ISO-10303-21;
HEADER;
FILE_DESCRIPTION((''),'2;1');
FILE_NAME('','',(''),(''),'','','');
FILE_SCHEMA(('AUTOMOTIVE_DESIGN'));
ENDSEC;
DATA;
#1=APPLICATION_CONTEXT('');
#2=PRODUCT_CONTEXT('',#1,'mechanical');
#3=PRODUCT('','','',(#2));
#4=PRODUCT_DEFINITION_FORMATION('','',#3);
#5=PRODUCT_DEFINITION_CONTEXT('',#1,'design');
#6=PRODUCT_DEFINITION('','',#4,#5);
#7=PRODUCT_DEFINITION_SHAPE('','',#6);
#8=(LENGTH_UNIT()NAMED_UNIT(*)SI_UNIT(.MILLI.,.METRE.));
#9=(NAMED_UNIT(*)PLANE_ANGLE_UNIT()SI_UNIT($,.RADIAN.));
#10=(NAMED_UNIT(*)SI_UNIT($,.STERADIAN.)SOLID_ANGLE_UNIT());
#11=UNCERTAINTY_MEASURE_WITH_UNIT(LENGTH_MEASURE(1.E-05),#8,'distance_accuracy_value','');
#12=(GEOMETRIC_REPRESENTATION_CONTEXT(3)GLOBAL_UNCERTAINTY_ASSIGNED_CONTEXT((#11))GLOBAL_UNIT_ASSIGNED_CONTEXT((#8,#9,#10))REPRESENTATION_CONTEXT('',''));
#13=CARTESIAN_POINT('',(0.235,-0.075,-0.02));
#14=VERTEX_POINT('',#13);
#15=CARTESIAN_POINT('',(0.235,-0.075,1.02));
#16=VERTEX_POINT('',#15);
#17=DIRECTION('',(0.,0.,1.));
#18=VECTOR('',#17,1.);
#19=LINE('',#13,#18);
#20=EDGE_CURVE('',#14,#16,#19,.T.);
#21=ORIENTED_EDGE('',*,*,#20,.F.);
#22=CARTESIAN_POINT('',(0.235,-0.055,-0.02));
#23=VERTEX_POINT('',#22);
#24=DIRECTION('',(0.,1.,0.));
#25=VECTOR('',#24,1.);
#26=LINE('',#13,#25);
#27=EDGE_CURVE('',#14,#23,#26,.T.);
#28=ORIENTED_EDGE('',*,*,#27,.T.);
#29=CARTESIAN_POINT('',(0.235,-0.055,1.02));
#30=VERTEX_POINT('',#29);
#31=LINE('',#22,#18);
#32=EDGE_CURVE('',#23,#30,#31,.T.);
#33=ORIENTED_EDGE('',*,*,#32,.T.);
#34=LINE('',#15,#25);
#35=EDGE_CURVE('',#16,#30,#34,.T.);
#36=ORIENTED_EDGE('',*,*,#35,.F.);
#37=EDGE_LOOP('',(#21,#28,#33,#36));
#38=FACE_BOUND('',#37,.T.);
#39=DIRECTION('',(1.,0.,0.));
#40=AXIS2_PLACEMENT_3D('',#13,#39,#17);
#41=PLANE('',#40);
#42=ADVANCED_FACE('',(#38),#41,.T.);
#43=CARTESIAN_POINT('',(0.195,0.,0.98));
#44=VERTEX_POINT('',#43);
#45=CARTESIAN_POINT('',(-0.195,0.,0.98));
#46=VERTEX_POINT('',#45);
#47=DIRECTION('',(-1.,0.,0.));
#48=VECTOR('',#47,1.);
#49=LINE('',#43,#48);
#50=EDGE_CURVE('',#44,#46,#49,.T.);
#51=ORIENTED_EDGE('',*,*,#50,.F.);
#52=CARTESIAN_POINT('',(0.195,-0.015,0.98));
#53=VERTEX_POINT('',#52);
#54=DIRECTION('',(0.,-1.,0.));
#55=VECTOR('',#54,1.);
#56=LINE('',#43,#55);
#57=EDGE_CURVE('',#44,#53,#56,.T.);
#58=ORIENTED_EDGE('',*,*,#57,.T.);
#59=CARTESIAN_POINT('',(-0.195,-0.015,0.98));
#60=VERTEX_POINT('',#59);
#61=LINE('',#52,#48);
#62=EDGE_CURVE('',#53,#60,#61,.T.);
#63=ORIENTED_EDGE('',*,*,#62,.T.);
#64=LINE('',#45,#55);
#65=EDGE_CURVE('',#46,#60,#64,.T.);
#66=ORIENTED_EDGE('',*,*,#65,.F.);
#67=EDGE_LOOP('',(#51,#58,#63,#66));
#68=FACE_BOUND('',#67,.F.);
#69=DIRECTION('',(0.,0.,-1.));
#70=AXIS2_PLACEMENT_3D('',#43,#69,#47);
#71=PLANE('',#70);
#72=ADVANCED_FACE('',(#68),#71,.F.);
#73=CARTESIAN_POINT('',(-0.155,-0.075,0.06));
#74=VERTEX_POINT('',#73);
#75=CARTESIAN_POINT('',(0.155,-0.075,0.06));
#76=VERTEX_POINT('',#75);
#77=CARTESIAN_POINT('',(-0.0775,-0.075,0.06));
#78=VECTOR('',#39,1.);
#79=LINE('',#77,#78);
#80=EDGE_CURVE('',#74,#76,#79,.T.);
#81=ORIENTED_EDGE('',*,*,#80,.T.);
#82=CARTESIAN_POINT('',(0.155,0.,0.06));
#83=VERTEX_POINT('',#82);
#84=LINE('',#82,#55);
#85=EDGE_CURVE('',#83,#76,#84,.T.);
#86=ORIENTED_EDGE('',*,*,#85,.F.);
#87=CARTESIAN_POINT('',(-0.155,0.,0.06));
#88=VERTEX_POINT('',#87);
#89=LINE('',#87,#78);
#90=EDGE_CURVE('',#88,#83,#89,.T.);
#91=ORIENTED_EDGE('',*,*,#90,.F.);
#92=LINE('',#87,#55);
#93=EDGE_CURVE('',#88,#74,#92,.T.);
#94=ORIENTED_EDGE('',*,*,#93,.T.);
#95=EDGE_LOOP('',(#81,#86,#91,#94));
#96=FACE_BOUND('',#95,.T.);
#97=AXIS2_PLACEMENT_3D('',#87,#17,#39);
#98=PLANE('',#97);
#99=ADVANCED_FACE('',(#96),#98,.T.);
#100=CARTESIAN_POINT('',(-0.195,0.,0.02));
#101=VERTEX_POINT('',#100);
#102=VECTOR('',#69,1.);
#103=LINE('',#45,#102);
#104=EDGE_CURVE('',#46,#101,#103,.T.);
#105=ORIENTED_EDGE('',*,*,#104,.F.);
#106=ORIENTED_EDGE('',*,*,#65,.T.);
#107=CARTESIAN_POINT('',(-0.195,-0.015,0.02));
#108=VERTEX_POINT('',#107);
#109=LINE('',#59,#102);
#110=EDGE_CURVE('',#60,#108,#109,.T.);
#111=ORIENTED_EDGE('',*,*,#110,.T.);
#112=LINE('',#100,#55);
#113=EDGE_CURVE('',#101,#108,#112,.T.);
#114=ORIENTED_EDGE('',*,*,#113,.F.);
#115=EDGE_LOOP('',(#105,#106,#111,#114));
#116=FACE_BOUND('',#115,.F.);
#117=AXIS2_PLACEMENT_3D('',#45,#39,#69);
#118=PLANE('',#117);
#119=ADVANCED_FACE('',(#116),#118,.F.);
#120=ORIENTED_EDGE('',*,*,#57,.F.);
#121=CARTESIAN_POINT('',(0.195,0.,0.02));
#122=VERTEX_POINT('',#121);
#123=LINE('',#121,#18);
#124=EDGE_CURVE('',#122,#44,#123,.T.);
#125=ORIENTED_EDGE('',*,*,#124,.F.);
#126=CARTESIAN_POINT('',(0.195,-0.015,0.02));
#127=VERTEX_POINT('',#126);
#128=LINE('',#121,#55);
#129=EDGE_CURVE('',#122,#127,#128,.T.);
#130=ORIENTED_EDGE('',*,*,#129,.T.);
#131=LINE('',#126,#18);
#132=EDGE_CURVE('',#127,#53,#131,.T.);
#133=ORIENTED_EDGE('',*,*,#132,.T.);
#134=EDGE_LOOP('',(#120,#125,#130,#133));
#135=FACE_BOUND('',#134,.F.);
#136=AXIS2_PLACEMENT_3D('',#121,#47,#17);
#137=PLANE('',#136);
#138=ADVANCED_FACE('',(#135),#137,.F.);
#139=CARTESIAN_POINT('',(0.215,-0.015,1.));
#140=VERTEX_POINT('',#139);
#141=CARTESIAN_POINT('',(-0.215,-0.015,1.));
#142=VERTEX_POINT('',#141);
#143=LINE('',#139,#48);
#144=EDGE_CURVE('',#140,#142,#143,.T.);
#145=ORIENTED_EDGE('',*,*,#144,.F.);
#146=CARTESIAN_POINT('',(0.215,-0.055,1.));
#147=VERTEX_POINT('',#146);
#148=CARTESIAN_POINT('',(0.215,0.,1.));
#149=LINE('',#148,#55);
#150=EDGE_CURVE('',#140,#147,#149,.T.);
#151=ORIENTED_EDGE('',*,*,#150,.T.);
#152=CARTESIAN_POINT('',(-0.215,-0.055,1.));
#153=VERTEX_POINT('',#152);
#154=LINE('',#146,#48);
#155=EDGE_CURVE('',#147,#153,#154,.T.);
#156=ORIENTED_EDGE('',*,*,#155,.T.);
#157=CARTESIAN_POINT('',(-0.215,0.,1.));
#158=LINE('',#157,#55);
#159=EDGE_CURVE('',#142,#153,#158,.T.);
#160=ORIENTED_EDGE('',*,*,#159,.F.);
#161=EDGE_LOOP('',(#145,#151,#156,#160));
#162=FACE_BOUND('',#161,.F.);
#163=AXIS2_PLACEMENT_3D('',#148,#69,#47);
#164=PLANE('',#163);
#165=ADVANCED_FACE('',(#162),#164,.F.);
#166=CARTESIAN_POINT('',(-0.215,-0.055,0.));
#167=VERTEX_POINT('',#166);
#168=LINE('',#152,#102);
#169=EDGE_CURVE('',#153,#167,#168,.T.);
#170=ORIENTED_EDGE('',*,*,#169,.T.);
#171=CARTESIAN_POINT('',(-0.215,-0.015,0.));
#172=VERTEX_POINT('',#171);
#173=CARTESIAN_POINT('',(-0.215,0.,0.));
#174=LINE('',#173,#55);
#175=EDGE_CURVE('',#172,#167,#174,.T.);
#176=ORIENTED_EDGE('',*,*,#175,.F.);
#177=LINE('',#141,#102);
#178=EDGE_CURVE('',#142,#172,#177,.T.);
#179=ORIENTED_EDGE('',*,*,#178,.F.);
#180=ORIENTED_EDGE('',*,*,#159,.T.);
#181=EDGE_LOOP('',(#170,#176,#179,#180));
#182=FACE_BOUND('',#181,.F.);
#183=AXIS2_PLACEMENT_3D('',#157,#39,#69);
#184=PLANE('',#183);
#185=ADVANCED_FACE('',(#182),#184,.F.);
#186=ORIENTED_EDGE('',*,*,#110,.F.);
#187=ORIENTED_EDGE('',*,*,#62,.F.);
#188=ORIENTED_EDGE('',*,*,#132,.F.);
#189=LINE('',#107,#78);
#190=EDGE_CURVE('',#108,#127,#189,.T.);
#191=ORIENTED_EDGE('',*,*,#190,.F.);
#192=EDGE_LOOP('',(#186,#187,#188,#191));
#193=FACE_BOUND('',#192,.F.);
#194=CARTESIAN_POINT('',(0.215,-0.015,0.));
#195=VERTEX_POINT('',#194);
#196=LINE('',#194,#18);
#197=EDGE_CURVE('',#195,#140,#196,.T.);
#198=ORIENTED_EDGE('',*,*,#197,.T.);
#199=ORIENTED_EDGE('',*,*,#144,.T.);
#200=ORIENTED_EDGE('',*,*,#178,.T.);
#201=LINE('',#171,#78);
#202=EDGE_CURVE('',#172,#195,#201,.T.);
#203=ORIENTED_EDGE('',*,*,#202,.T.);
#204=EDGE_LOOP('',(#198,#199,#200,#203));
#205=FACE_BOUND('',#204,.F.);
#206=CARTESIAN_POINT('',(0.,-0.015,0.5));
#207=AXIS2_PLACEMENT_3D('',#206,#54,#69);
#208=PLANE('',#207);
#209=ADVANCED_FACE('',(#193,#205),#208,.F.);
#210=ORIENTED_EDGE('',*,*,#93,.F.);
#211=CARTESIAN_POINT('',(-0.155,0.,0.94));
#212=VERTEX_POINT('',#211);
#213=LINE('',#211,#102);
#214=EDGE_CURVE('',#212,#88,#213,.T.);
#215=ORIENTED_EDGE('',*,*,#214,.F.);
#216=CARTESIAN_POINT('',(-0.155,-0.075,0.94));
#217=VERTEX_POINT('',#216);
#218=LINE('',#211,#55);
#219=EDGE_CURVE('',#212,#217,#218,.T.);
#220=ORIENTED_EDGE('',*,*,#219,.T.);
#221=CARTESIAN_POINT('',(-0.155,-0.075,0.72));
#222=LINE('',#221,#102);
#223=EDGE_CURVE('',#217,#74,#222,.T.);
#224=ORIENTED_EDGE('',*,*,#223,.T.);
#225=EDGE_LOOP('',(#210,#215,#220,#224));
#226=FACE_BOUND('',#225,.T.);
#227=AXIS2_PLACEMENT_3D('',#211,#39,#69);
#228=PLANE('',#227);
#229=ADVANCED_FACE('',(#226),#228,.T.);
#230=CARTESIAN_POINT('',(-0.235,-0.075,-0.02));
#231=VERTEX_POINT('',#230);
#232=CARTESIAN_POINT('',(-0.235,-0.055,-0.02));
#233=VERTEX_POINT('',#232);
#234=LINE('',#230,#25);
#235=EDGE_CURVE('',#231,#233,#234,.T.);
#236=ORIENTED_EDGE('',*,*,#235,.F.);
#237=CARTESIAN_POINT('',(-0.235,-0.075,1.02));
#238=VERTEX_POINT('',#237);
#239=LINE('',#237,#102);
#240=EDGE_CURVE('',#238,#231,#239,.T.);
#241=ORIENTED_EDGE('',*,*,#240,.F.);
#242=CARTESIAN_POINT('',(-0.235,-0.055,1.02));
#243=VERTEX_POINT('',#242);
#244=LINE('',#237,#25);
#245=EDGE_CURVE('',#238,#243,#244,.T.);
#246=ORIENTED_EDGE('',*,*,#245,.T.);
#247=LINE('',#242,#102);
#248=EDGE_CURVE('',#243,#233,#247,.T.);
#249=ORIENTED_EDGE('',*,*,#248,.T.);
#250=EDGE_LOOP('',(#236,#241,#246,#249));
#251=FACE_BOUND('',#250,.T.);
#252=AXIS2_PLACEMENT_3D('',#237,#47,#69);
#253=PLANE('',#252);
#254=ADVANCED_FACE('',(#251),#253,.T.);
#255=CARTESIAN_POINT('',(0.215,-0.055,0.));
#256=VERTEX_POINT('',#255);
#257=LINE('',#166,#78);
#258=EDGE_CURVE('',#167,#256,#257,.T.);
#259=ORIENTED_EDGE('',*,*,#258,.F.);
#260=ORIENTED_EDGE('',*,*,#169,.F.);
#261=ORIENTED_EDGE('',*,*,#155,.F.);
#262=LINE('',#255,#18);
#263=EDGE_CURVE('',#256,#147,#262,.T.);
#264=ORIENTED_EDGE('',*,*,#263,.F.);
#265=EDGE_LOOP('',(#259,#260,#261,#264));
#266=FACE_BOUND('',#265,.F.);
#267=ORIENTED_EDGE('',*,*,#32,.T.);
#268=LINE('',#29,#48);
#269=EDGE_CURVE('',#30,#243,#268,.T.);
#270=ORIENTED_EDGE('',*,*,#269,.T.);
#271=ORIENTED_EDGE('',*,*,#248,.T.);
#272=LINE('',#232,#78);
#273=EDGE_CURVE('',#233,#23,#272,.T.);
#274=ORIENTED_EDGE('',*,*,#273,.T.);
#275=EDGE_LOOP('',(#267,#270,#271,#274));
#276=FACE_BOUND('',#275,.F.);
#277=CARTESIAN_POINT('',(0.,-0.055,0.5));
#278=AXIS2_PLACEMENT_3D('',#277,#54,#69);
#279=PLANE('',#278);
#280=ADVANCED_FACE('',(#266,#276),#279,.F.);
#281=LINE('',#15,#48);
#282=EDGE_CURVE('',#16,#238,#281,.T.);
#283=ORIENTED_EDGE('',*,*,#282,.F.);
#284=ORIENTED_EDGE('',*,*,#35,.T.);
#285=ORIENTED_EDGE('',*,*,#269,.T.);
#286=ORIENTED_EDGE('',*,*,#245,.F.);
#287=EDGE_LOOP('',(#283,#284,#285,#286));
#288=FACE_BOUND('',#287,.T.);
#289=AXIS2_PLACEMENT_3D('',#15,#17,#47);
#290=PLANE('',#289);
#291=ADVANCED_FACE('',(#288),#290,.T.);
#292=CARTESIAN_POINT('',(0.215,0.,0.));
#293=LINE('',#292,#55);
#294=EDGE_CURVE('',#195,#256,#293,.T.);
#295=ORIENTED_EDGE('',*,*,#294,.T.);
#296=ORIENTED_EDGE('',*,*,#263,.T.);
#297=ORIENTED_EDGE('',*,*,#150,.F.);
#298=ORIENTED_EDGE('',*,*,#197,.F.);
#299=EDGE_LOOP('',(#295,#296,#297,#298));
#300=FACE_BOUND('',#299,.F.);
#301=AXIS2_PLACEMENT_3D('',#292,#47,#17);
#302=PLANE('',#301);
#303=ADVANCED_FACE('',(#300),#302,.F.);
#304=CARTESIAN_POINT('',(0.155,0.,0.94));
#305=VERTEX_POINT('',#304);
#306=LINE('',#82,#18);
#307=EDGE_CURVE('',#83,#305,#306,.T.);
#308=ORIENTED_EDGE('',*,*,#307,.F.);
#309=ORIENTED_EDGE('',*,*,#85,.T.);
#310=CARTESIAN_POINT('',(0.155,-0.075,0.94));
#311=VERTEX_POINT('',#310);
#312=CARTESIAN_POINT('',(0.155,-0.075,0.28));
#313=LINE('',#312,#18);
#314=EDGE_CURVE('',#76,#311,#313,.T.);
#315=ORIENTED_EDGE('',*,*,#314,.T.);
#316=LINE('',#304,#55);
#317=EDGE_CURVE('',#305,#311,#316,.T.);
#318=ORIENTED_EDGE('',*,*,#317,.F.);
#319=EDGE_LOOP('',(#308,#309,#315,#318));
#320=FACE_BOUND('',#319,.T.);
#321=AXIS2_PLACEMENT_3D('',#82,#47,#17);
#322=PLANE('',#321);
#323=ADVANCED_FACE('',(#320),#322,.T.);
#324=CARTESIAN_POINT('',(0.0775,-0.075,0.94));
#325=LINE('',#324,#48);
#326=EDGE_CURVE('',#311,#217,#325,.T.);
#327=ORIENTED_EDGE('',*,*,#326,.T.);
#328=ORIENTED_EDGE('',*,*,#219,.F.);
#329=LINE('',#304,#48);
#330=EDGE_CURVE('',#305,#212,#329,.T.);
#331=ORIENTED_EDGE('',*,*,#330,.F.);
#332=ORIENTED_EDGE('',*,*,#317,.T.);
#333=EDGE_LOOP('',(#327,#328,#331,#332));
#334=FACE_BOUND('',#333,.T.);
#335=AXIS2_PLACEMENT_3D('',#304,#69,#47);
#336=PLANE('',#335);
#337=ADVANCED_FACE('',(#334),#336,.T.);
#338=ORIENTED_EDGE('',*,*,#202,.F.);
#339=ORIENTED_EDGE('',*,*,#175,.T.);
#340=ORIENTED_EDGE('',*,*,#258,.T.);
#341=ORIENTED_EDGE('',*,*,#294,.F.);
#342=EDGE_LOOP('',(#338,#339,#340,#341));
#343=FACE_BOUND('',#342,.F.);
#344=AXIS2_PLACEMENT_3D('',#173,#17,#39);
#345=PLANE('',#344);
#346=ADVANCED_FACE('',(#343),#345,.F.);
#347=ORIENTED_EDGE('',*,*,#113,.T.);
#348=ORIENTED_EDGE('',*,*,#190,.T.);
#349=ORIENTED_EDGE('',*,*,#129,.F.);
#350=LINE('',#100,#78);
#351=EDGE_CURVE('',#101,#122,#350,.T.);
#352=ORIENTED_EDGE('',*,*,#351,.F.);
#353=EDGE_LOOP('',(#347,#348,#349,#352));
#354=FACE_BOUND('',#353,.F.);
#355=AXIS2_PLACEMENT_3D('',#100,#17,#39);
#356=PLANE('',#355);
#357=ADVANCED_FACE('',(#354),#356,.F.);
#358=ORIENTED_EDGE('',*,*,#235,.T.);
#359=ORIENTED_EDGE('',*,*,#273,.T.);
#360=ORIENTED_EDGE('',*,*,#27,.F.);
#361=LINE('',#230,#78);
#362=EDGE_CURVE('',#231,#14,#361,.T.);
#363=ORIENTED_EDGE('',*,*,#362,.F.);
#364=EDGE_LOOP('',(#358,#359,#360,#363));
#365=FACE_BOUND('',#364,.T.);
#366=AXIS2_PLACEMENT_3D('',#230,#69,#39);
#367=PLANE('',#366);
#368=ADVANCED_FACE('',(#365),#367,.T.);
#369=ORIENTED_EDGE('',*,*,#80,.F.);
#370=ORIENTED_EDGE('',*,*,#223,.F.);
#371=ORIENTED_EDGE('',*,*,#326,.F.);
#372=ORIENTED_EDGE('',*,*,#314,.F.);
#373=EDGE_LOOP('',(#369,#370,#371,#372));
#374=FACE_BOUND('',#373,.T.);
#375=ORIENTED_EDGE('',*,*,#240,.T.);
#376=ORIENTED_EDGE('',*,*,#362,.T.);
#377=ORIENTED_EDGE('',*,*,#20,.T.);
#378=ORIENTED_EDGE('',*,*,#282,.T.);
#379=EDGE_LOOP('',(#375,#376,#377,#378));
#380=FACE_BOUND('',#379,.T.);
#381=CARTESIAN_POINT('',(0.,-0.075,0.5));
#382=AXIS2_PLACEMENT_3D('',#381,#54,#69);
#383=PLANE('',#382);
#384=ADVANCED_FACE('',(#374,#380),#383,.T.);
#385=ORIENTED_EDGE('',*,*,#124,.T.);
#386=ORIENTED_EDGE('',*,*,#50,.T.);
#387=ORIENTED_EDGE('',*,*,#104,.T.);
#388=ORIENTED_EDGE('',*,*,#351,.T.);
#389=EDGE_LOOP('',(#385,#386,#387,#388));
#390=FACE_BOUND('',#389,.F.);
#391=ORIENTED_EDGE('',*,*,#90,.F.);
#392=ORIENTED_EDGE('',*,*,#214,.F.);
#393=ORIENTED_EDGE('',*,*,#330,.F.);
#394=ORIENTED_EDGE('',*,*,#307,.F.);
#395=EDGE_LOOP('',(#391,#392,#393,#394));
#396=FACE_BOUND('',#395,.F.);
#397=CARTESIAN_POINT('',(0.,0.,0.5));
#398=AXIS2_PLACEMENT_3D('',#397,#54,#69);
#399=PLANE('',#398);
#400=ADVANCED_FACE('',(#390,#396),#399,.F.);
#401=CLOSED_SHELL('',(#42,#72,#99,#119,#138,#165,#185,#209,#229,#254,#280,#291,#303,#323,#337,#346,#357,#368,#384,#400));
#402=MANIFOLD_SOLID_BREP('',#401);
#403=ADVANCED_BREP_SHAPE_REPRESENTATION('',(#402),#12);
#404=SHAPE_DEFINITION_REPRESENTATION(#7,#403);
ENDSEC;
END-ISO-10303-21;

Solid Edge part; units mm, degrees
sketch "Sketch1" plane through (0, 0, 0) normal (0, -1, 0) x (1, 0, 0)
  line L0 (-0.215, 0) -> (0.215, 0)
  line L1 (0.215, 0) -> (0.215, 1)
  line L2 (0.215, 1) -> (-0.215, 1)
  line L3 (-0.215, 1) -> (-0.215, 0)
  dimension "D1" = 1
  dimension "D2" = 0.43
extrude "Protrusion1" add sketch "Sketch1" along normal blind 0.075
sketch "Sketch2" plane through (0, 0, 0.69) normal (0, 1, 0) x (-1, 0, 0)
  line L0 (-0.155, 0.25) -> (0.155, 0.25)
  line L1 (0.155, 0.25) -> (0.155, -0.63)
  line L2 (0.155, -0.63) -> (-0.155, -0.63)
  line L3 (-0.155, -0.63) -> (-0.155, 0.25)
extrude "Cutout1" cut sketch "Sketch2" against normal up to next
sketch "Sketch3" plane through (0, 0, 0.69) normal (0, 1, 0) x (-1, 0, 0)
  line L0 (-0.195, -0.67) -> (-0.195, 0.29)
  line L1 (-0.195, 0.29) -> (0.195, 0.29)
  line L2 (0.195, 0.29) -> (0.195, -0.67)
  line L3 (0.195, -0.67) -> (-0.195, -0.67)
  line L4 (-0.215, -0.69) -> (-0.215, 0.31)
  line L5 (-0.215, 0.31) -> (0.215, 0.31)
  line L6 (0.215, 0.31) -> (0.215, -0.69)
  line L7 (0.215, -0.69) -> (-0.215, -0.69)
extrude "Ausschnitt_1" cut sketch "Sketch3" against normal blind 0.015
sketch "Sketch4" plane through (0, -0.075, 0.69) normal (0, -1, 0) x (1, 0, 0)
  line L0 (-0.235, 0.33) -> (-0.235, -0.71)
  line L1 (-0.235, -0.71) -> (0.235, -0.71)
  line L2 (0.235, -0.71) -> (0.235, 0.33)
  line L3 (0.235, 0.33) -> (-0.235, 0.33)
  line L4 (0.215, 0.31) -> (-0.215, 0.31)
  line L5 (-0.215, 0.31) -> (-0.215, -0.69)
  line L6 (-0.215, -0.69) -> (0.215, -0.69)
  line L7 (0.215, -0.69) -> (0.215, 0.31)
extrude "Ausprägung_2" add sketch "Sketch4" against normal blind 0.02
